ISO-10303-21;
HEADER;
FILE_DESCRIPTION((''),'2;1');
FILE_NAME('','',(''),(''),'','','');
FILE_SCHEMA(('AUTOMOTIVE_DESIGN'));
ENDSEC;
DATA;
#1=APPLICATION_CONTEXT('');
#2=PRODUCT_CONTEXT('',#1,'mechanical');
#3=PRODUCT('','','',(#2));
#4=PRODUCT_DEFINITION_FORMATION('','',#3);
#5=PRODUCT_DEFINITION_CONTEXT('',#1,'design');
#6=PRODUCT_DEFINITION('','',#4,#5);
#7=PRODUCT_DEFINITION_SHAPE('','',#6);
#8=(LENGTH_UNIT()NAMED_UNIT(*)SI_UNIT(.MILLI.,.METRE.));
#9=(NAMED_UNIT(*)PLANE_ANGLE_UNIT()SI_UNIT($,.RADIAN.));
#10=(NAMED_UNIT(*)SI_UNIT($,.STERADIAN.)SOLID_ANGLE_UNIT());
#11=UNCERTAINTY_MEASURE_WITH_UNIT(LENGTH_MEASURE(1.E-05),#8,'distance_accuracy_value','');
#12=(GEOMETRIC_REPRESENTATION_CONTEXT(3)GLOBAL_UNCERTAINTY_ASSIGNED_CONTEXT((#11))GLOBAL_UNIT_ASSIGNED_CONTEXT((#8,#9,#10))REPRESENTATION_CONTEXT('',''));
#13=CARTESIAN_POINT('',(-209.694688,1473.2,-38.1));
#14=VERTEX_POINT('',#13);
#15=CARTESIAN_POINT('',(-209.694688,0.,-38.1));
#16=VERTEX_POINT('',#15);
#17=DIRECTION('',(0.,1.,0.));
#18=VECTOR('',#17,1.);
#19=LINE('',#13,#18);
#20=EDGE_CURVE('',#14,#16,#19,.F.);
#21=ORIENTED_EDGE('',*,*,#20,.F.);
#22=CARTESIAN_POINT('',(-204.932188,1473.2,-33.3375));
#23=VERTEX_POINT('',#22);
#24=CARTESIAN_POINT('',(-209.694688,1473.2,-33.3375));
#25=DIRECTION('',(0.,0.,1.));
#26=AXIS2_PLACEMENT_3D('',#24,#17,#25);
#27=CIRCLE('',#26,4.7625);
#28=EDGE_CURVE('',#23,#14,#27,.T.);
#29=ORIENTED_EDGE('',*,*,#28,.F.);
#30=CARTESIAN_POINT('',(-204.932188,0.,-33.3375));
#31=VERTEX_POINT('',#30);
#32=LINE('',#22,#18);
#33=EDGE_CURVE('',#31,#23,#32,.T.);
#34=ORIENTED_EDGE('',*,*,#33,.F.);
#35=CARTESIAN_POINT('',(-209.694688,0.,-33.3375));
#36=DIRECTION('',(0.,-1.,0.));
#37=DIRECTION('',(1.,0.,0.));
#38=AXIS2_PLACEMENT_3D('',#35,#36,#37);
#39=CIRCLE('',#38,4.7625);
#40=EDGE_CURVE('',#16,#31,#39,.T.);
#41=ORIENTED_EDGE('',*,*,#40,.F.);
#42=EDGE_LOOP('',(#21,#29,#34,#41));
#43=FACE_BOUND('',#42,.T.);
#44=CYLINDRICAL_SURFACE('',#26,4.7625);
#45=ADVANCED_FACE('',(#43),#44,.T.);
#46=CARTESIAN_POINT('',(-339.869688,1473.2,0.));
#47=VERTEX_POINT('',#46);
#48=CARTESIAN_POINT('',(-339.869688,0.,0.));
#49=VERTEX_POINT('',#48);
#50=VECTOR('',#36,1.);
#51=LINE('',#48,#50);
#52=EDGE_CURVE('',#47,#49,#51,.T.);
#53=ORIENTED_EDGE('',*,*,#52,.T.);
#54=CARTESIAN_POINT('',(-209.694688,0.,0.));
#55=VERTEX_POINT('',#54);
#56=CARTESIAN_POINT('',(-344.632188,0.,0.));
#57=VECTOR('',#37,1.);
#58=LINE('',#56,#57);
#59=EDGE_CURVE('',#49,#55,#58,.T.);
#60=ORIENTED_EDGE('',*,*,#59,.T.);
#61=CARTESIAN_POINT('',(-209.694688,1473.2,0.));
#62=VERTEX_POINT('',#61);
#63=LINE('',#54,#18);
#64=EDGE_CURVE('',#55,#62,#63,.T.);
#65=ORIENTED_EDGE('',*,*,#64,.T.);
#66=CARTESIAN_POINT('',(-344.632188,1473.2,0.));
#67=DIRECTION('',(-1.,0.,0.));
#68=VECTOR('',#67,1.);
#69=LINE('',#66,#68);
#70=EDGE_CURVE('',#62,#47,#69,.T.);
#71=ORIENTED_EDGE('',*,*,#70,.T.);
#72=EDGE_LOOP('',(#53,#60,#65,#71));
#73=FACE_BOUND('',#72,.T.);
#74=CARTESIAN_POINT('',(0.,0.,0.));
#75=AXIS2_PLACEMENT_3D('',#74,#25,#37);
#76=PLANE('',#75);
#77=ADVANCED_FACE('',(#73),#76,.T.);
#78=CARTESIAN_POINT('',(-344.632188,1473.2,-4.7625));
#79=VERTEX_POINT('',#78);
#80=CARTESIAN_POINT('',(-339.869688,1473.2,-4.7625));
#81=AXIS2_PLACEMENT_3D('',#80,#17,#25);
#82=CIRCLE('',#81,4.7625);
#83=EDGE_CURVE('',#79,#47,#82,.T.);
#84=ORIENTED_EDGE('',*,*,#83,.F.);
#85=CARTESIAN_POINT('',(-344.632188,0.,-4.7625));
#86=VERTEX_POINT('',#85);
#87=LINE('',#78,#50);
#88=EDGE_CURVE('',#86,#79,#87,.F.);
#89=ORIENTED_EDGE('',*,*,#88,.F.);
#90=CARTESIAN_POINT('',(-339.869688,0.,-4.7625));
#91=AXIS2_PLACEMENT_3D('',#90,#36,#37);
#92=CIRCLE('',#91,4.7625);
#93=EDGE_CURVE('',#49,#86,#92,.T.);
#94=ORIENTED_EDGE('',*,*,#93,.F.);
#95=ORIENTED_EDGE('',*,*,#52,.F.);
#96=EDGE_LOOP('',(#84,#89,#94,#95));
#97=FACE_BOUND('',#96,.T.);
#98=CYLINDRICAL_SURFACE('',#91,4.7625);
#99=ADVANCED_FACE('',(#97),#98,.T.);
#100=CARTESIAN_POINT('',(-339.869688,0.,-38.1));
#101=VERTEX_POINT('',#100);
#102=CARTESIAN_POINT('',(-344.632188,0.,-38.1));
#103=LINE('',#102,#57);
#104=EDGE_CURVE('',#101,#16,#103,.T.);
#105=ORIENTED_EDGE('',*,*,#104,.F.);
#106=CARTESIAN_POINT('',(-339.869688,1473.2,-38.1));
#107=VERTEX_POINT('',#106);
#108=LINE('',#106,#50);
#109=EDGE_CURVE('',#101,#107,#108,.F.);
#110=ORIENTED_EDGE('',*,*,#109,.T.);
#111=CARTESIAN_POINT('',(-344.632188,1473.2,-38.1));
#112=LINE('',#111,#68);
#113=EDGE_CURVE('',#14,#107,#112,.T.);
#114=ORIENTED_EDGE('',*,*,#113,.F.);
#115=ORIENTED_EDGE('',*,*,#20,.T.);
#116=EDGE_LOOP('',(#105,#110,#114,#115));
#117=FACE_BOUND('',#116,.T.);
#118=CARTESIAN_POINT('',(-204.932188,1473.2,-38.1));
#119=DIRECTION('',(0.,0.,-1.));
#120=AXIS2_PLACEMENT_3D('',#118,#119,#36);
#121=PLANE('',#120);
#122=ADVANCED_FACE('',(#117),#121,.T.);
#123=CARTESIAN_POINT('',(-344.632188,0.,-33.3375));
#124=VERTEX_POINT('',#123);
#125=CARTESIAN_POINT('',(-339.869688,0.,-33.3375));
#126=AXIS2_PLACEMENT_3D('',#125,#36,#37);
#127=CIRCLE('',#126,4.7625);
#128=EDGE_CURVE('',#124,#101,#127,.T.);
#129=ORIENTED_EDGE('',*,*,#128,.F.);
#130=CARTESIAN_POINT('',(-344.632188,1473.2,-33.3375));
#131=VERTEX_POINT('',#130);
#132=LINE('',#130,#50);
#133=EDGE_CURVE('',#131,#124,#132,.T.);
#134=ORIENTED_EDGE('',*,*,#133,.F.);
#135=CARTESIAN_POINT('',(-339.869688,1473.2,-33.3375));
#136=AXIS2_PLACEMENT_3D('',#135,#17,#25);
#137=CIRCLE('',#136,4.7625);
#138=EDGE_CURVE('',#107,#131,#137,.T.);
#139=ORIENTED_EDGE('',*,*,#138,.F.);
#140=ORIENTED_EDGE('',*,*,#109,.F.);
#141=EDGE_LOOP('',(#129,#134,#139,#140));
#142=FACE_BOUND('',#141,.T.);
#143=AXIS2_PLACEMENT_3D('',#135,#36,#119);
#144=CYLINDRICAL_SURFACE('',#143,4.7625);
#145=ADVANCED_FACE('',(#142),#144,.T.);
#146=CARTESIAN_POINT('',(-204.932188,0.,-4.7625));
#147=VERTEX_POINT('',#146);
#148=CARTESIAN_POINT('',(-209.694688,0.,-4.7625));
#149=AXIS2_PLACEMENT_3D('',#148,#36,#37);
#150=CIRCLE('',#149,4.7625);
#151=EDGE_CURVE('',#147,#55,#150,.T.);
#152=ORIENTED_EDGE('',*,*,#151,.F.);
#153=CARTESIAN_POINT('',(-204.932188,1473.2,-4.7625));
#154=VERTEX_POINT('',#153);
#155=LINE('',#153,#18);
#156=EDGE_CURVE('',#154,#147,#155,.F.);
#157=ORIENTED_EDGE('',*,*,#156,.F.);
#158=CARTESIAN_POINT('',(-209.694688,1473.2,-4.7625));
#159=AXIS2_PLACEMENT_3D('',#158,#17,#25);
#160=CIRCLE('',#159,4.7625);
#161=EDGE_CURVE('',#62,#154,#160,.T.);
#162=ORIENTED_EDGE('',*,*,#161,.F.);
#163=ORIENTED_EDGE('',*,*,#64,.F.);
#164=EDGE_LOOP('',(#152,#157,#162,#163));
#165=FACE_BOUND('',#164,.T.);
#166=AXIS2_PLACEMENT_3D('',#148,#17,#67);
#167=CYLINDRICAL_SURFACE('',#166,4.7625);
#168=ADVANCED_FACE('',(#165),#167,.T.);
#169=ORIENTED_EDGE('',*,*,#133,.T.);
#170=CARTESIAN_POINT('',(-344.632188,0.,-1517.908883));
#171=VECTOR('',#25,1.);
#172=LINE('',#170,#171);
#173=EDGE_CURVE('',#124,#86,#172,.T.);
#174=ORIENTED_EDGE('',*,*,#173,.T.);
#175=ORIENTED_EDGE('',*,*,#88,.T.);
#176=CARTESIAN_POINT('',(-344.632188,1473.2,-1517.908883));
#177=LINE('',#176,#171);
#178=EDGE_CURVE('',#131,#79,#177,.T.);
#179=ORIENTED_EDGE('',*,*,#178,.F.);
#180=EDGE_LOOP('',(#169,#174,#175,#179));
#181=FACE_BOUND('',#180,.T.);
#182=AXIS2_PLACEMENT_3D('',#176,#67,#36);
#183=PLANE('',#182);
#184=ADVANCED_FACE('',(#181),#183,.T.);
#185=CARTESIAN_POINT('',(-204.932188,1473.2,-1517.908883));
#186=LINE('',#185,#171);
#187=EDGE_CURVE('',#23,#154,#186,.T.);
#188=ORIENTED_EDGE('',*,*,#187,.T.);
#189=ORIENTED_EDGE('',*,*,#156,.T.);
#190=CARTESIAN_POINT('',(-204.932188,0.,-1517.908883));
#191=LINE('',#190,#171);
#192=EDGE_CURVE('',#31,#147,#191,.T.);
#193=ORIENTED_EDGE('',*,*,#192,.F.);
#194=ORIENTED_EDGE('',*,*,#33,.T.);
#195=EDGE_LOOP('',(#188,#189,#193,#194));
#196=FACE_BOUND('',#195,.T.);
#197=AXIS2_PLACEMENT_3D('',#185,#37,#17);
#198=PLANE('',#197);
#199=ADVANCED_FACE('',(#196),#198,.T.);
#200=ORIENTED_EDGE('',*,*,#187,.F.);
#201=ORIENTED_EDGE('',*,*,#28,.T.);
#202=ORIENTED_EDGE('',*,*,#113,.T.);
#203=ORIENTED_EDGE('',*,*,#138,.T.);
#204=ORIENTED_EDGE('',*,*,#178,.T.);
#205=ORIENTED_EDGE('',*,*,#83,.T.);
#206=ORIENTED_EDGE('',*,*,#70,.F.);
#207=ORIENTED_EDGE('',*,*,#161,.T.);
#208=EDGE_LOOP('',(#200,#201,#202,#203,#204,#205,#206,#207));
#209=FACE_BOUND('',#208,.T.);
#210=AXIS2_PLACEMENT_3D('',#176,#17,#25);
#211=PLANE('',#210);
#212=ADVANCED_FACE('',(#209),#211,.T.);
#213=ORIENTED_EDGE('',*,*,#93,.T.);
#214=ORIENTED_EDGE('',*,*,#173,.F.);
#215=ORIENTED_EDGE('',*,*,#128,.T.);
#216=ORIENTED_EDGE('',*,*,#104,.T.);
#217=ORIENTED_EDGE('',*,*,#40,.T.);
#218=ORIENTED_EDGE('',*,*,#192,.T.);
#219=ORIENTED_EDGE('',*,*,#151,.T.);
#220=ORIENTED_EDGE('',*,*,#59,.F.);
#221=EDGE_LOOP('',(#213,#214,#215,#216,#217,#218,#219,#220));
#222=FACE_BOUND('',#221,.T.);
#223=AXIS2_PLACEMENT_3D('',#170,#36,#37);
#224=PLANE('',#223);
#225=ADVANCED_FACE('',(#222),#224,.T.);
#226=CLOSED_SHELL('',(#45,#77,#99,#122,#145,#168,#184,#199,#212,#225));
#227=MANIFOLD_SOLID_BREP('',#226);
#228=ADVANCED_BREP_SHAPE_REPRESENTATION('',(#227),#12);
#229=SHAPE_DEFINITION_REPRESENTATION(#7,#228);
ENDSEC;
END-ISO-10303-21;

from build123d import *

# Parameters (mm, degrees)
SKETCH1_W           = 139.7
SKETCH1_H           = 1473.2
BOSS_EXTRUDE1_DEPTH = 38.1
FILLET1_R           = 4.7625


with BuildPart() as part:
    # Sketch1 → Boss-Extrude1 (new body)
    with BuildSketch(Plane.XY):
        with Locations((-274.782187925, 736.6)):
            Rectangle(SKETCH1_W, SKETCH1_H)
    extrude(amount=-BOSS_EXTRUDE1_DEPTH)

    # Fillet1
    fillet1_edges = [part.edges().sort_by_distance(p)[0] for p in [
        (-204.932187925, 736.6, 0),
        (-204.932187925, 736.6, -38.1),
        (-344.632187925, 736.6, -38.1),
        (-344.632187925, 736.6, 0),
    ]]
    fillet(fillet1_edges, radius=FILLET1_R)


solid = part.part
